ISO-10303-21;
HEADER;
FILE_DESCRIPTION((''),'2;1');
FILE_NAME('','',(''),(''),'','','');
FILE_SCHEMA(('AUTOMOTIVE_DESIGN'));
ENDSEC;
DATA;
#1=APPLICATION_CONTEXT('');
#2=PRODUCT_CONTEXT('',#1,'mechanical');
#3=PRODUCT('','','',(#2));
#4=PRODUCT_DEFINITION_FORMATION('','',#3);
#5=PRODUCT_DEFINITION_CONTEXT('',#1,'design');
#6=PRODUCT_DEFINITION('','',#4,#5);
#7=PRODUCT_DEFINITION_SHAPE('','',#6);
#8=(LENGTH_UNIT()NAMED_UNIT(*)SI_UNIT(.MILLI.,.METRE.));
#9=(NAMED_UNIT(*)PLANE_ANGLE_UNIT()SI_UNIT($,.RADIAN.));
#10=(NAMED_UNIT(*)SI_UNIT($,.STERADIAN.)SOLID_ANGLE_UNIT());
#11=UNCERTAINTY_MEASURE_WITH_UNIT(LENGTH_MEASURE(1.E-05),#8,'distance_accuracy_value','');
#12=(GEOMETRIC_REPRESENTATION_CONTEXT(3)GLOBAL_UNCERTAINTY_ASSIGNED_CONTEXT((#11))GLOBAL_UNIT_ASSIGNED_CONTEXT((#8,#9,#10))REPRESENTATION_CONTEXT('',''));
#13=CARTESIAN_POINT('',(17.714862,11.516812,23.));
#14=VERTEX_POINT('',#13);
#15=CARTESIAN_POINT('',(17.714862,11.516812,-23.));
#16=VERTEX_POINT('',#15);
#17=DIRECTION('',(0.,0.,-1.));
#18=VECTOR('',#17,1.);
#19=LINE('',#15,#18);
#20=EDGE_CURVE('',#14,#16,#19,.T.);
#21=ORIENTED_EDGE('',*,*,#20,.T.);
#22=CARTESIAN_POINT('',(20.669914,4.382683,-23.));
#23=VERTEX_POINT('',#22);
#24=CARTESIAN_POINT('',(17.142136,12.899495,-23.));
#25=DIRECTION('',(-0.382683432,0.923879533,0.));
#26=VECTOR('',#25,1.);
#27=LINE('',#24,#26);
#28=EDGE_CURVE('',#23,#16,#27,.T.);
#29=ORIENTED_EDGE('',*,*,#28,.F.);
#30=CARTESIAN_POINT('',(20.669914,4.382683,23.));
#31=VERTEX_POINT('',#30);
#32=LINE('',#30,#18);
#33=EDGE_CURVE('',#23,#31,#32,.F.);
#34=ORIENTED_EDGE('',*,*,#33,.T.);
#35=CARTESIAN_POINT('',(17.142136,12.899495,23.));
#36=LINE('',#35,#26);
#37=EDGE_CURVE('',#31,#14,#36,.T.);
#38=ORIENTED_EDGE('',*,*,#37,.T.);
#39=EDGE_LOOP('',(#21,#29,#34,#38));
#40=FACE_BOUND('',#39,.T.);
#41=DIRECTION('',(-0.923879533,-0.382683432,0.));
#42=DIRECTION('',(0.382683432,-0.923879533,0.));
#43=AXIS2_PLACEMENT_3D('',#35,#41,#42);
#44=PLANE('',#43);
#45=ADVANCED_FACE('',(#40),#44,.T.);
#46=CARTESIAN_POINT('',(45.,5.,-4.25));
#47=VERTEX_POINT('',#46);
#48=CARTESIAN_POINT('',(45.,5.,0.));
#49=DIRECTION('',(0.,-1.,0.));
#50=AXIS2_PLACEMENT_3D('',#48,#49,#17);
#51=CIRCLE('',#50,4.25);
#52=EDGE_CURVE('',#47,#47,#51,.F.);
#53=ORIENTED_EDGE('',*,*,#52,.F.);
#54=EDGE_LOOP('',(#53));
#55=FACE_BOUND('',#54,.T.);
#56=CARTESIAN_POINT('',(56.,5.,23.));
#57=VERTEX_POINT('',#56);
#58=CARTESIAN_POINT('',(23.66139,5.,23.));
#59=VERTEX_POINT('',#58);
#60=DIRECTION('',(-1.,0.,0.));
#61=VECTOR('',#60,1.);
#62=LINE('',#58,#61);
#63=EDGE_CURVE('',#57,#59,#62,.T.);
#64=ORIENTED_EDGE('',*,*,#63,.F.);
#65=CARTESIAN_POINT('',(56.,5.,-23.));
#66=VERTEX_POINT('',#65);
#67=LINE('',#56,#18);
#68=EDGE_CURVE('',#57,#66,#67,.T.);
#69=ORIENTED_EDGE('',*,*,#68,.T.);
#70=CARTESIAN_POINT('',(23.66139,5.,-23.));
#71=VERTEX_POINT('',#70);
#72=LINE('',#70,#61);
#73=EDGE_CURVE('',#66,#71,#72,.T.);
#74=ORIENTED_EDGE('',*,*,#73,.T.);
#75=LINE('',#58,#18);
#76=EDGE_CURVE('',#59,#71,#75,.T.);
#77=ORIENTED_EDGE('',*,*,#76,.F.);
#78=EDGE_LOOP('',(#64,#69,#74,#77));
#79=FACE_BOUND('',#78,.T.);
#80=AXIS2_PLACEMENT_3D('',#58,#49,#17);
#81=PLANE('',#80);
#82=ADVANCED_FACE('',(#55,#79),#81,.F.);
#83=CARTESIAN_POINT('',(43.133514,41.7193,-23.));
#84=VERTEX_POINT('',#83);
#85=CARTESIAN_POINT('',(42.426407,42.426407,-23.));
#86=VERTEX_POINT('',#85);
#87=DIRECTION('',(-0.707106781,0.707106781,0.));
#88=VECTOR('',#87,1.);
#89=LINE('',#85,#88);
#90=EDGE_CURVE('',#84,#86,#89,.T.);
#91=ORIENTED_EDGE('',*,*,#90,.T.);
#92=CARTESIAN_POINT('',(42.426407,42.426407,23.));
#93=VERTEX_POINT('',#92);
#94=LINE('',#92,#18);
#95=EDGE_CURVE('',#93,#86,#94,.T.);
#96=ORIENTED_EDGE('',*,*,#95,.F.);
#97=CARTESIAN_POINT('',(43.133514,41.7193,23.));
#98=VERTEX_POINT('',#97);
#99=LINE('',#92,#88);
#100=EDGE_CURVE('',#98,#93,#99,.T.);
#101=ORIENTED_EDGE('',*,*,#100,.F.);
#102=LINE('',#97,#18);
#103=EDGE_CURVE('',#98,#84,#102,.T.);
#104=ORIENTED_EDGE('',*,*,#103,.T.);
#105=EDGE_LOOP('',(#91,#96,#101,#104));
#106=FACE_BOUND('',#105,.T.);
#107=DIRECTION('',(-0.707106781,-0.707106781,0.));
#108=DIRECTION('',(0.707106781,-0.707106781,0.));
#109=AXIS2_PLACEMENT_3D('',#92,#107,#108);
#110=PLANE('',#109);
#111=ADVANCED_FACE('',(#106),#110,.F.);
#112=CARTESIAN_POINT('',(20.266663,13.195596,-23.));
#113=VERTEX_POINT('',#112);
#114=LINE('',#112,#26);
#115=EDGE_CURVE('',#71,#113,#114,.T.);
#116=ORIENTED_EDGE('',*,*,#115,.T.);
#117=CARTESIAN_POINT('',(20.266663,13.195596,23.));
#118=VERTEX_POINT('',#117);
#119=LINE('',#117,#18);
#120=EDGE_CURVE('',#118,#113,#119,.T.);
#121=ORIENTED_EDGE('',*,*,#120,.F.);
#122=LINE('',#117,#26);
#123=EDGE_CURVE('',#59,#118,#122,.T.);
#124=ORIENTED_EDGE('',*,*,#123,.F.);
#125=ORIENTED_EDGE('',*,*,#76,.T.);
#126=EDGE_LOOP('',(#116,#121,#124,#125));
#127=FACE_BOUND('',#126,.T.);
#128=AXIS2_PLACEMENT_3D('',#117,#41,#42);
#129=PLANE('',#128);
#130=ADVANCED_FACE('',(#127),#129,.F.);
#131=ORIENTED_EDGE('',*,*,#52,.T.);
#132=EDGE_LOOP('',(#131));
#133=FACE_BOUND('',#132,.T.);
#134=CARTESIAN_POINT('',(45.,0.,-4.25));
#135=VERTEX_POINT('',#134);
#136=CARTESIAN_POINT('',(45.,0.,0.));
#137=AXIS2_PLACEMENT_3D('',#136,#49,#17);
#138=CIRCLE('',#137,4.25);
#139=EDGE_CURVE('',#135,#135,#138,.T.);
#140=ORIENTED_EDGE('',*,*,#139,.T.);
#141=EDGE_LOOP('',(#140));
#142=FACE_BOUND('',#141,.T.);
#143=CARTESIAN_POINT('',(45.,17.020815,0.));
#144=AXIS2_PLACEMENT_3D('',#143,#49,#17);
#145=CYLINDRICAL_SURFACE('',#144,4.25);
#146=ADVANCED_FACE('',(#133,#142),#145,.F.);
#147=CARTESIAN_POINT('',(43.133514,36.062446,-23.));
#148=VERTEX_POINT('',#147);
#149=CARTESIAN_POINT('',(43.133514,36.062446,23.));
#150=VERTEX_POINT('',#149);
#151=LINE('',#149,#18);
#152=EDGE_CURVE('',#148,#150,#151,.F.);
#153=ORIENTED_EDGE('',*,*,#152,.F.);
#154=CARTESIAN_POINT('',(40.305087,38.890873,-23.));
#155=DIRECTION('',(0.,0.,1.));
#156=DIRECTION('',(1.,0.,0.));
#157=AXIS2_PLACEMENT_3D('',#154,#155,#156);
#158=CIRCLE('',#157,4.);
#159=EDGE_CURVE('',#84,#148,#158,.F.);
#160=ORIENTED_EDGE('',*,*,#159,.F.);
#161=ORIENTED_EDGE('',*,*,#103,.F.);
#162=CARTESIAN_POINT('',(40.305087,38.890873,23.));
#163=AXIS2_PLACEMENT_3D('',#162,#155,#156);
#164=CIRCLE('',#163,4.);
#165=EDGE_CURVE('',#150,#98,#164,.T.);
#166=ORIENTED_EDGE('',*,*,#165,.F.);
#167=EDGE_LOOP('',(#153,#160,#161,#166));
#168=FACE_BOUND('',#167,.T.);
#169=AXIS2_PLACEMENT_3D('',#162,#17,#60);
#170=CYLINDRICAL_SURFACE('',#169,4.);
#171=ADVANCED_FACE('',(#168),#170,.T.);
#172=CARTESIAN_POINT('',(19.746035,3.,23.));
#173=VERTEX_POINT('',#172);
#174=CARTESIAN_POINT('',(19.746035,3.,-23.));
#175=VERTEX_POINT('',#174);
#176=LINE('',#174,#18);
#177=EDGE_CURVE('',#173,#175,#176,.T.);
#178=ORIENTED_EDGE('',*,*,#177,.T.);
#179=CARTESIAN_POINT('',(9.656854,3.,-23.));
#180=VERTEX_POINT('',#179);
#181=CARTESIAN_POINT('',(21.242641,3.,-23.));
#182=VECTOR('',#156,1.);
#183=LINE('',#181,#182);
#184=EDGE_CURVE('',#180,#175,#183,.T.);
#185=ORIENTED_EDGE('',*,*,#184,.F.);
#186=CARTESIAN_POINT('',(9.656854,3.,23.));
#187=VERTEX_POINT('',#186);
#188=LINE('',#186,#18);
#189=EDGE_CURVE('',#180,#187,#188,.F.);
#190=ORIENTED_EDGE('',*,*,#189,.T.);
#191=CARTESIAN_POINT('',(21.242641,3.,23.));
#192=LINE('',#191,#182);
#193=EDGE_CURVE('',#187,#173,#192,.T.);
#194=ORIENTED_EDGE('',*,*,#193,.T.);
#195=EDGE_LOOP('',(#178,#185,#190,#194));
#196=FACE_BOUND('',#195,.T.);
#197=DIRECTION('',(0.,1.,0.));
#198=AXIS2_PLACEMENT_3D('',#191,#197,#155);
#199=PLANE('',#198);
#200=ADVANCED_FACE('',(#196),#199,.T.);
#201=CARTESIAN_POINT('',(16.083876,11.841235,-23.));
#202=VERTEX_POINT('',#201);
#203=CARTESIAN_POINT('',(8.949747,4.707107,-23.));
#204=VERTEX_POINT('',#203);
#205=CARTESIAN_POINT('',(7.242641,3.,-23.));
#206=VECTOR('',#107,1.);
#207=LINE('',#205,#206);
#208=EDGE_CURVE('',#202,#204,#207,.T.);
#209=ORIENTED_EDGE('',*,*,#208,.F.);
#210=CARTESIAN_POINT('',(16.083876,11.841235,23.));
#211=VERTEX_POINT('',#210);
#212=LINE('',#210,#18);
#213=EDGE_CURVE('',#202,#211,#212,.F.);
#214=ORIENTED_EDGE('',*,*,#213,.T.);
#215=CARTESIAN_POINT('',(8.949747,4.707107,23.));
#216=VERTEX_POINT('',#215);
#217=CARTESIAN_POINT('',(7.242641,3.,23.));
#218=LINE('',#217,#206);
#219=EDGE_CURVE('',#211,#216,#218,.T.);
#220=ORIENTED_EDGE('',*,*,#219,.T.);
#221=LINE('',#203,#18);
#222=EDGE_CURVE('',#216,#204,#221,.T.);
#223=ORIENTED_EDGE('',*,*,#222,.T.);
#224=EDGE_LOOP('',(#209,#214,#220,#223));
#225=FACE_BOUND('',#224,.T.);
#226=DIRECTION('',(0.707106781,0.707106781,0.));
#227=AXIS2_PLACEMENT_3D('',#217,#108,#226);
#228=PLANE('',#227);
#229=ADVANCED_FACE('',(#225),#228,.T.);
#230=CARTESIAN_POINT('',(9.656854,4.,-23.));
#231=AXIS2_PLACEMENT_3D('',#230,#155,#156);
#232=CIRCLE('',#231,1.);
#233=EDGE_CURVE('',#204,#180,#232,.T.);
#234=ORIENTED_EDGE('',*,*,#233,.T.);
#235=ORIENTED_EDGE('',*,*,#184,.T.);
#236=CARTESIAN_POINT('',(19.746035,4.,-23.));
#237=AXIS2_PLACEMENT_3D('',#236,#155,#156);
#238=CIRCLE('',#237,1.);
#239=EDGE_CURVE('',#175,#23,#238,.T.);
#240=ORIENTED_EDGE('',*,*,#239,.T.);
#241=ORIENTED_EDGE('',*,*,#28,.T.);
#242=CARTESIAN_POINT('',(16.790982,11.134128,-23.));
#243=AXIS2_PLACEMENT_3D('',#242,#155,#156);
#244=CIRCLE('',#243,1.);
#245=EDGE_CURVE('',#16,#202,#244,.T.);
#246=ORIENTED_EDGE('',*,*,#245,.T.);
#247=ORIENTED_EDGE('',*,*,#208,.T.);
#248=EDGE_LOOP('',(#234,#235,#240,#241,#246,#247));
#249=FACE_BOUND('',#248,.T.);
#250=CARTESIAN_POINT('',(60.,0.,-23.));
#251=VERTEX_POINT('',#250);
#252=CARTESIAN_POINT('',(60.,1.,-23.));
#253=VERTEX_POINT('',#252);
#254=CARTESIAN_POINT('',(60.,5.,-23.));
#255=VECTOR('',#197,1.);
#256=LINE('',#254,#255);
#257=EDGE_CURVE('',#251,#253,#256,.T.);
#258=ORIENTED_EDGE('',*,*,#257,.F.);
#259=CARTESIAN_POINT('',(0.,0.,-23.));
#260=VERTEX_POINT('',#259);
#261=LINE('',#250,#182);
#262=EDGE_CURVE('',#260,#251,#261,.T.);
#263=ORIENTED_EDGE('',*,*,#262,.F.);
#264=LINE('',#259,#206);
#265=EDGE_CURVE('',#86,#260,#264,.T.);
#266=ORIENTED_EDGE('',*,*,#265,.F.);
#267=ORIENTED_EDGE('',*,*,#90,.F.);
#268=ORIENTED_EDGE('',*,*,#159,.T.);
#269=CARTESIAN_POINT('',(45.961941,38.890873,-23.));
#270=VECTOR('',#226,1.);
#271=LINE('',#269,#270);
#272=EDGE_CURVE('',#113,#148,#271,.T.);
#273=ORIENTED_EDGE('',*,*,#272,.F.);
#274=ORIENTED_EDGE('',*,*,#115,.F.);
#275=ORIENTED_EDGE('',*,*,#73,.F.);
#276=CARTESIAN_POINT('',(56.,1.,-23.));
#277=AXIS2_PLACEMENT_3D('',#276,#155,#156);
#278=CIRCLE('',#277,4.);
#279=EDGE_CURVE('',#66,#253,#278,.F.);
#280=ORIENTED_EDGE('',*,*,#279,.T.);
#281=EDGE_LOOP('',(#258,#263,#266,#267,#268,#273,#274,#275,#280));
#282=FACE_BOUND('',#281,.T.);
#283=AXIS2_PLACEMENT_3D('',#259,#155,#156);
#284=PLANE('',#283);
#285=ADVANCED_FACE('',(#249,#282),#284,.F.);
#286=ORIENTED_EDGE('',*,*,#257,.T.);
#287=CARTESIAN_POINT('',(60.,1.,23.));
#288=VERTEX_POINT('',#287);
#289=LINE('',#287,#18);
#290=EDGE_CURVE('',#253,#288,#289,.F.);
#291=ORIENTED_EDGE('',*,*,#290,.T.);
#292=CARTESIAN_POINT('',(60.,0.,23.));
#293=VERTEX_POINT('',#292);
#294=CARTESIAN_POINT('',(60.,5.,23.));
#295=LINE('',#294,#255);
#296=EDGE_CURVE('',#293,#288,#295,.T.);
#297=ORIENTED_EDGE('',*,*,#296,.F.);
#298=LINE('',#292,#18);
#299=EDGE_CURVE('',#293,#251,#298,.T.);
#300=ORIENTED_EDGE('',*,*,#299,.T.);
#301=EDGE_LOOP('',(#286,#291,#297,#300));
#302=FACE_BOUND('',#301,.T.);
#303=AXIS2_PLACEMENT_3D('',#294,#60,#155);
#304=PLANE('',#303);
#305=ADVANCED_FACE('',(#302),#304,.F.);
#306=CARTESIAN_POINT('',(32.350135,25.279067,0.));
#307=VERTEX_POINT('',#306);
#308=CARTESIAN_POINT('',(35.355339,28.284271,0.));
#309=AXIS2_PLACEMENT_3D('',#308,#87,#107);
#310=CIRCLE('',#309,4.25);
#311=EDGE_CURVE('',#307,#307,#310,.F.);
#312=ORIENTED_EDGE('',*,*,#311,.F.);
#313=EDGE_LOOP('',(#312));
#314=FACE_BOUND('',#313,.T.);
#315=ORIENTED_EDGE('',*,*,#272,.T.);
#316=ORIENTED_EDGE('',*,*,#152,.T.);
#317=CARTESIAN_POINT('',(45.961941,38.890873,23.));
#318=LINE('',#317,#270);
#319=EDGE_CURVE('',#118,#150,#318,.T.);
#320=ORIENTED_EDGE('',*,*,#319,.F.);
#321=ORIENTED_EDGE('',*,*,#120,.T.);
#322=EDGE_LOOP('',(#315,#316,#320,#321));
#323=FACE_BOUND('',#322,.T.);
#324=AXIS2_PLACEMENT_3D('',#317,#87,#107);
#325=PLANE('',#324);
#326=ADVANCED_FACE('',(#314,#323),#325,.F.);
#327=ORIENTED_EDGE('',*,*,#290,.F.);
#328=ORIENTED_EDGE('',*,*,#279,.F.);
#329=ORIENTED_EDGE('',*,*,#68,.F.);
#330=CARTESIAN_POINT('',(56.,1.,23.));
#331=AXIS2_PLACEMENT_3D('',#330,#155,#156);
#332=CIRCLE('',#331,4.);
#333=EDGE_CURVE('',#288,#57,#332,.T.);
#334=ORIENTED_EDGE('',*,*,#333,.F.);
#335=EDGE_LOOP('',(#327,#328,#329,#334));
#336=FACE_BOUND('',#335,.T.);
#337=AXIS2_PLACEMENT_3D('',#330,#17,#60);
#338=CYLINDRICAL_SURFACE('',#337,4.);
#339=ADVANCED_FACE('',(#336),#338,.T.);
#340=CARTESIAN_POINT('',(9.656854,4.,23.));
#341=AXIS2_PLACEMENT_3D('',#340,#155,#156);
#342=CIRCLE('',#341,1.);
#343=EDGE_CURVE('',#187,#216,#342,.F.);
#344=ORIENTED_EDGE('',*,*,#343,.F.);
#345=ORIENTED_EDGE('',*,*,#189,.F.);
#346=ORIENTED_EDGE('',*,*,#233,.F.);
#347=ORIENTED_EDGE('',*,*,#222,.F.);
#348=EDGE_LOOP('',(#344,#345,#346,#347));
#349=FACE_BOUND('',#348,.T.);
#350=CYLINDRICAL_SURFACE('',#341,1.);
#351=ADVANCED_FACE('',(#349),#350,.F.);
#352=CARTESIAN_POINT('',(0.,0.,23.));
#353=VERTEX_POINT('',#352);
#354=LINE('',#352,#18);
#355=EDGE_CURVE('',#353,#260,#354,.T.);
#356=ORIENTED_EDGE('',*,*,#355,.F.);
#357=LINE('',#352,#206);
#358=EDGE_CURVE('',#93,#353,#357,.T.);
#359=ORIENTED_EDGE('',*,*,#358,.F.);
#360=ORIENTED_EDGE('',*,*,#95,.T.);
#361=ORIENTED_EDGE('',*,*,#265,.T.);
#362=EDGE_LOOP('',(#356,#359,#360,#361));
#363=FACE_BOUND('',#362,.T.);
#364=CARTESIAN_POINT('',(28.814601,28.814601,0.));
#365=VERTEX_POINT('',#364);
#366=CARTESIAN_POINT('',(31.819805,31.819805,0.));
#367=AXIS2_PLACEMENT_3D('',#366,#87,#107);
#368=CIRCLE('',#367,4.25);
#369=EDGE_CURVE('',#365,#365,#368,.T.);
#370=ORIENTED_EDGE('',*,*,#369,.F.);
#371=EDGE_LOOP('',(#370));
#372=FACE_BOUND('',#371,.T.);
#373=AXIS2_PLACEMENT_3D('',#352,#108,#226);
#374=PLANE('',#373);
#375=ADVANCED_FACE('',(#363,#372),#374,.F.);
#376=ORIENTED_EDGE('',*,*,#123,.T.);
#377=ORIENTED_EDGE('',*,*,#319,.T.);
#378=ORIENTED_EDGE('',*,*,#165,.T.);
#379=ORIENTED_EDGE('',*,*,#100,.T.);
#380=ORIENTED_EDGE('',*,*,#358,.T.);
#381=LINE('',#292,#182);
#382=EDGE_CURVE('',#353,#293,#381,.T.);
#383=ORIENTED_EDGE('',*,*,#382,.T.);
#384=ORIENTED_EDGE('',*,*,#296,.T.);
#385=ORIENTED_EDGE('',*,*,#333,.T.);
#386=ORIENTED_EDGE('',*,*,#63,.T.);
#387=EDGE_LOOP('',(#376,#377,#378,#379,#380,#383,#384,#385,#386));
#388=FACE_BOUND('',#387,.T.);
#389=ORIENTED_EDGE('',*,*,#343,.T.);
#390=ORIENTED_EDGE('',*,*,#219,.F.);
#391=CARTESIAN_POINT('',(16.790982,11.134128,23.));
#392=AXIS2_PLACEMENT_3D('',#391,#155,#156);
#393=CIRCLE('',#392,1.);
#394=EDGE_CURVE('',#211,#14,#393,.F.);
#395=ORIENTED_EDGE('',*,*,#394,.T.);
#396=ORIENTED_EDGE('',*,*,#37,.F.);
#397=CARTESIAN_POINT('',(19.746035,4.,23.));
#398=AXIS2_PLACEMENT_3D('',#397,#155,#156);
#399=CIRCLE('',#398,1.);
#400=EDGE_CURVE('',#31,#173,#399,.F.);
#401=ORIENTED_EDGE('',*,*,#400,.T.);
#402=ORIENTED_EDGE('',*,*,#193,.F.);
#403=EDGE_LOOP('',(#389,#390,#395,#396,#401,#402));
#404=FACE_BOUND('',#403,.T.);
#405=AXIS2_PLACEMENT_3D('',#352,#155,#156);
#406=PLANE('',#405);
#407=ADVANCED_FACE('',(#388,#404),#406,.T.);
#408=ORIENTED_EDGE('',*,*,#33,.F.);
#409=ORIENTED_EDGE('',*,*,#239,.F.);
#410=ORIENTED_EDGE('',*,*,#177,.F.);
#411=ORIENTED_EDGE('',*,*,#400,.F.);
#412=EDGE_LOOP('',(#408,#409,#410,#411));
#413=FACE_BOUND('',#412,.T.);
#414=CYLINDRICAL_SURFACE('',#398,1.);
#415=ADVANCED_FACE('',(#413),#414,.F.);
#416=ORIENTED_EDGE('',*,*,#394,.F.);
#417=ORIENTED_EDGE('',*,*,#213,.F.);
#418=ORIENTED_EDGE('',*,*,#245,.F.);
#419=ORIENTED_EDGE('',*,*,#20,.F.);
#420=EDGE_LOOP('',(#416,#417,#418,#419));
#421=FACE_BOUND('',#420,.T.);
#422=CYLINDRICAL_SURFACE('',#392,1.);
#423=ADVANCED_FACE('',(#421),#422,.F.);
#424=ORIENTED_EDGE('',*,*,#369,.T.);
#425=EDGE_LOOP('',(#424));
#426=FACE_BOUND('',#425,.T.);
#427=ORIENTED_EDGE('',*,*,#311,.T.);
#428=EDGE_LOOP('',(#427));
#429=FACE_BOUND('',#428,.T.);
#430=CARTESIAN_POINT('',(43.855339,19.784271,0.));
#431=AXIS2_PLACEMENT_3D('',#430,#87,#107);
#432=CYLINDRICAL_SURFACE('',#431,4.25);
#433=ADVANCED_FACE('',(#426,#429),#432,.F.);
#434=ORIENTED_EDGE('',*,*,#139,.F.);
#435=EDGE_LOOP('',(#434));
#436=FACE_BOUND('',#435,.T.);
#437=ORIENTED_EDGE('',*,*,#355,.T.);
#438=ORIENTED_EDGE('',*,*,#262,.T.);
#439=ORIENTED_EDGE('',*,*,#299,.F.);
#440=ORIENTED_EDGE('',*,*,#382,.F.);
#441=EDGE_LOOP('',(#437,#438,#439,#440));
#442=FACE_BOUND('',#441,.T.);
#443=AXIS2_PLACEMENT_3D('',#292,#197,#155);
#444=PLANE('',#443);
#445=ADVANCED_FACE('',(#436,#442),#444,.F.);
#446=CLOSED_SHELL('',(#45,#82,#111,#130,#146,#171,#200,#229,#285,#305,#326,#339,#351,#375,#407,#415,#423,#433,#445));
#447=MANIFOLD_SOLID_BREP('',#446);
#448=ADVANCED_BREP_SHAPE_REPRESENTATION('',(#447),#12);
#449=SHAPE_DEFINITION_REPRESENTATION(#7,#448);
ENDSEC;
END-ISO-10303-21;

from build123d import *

# Parameters (mm, degrees)
EXTRUDE_1_DEPTH     = 23
SKETCH_2_R          = 4.25
CUT_EXTRUDE_1_DEPTH = 5
SKETCH_3_R          = 4.25
CUT_EXTRUDE_2_DEPTH = 5
FILLET_1_R          = 4
FILLET_2_R          = 1


with BuildPart() as part:
    # Эскиз1 → Бобышка-Вытянуть1 (new body, symmetric)
    with BuildSketch(Plane.XY):
        Polygon((0, 0), (42.426406871, 42.426406871), (45.961940777, 38.890872965), (20.266663343, 13.195595531), (23.661390163, 5), (60, 5), (60, 0), align=None)
        Polygon((17.142135624, 12.899494937), (21.242640687, 3), (7.242640687, 3), align=None, mode=Mode.SUBTRACT)
    extrude(amount=EXTRUDE_1_DEPTH, both=True)

    # Эскиз2 → Вырез-Вытянуть1 (cut)
    with BuildSketch(Plane(origin=(0, 0, 0), x_dir=(0, 0, 1), z_dir=(-0.707106781, 0.707106781, 0))):
        with Locations(Location((0, 45, 0), (0, 0, 270))):  # turned: the seam where the file's is
            Circle(SKETCH_2_R)
    extrude(amount=-CUT_EXTRUDE_1_DEPTH, mode=Mode.SUBTRACT)

    # Эскиз3 → Вырез-Вытянуть2 (cut)
    with BuildSketch(Plane.XZ):
        with Locations(Location((45, 0, 0), (0, 0, 270))):  # turned: the seam where the file's is
            Circle(SKETCH_3_R)
    extrude(amount=-CUT_EXTRUDE_2_DEPTH, mode=Mode.SUBTRACT)

    # Скругление1
    fillet_1_edges = [part.edges().sort_by_distance(p)[0] for p in [
        (45.961940777, 38.890872965, 0),
        (60, 5, 0),
    ]]
    fillet(fillet_1_edges, radius=FILLET_1_R)

    # Скругление2
    fillet_2_edges = [part.edges().sort_by_distance(p)[0] for p in [
        (17.142135624, 12.899494937, 0),
        (7.242640687, 3, 0),
        (21.242640687, 3, 0),
    ]]
    fillet(fillet_2_edges, radius=FILLET_2_R)


solid = part.part
